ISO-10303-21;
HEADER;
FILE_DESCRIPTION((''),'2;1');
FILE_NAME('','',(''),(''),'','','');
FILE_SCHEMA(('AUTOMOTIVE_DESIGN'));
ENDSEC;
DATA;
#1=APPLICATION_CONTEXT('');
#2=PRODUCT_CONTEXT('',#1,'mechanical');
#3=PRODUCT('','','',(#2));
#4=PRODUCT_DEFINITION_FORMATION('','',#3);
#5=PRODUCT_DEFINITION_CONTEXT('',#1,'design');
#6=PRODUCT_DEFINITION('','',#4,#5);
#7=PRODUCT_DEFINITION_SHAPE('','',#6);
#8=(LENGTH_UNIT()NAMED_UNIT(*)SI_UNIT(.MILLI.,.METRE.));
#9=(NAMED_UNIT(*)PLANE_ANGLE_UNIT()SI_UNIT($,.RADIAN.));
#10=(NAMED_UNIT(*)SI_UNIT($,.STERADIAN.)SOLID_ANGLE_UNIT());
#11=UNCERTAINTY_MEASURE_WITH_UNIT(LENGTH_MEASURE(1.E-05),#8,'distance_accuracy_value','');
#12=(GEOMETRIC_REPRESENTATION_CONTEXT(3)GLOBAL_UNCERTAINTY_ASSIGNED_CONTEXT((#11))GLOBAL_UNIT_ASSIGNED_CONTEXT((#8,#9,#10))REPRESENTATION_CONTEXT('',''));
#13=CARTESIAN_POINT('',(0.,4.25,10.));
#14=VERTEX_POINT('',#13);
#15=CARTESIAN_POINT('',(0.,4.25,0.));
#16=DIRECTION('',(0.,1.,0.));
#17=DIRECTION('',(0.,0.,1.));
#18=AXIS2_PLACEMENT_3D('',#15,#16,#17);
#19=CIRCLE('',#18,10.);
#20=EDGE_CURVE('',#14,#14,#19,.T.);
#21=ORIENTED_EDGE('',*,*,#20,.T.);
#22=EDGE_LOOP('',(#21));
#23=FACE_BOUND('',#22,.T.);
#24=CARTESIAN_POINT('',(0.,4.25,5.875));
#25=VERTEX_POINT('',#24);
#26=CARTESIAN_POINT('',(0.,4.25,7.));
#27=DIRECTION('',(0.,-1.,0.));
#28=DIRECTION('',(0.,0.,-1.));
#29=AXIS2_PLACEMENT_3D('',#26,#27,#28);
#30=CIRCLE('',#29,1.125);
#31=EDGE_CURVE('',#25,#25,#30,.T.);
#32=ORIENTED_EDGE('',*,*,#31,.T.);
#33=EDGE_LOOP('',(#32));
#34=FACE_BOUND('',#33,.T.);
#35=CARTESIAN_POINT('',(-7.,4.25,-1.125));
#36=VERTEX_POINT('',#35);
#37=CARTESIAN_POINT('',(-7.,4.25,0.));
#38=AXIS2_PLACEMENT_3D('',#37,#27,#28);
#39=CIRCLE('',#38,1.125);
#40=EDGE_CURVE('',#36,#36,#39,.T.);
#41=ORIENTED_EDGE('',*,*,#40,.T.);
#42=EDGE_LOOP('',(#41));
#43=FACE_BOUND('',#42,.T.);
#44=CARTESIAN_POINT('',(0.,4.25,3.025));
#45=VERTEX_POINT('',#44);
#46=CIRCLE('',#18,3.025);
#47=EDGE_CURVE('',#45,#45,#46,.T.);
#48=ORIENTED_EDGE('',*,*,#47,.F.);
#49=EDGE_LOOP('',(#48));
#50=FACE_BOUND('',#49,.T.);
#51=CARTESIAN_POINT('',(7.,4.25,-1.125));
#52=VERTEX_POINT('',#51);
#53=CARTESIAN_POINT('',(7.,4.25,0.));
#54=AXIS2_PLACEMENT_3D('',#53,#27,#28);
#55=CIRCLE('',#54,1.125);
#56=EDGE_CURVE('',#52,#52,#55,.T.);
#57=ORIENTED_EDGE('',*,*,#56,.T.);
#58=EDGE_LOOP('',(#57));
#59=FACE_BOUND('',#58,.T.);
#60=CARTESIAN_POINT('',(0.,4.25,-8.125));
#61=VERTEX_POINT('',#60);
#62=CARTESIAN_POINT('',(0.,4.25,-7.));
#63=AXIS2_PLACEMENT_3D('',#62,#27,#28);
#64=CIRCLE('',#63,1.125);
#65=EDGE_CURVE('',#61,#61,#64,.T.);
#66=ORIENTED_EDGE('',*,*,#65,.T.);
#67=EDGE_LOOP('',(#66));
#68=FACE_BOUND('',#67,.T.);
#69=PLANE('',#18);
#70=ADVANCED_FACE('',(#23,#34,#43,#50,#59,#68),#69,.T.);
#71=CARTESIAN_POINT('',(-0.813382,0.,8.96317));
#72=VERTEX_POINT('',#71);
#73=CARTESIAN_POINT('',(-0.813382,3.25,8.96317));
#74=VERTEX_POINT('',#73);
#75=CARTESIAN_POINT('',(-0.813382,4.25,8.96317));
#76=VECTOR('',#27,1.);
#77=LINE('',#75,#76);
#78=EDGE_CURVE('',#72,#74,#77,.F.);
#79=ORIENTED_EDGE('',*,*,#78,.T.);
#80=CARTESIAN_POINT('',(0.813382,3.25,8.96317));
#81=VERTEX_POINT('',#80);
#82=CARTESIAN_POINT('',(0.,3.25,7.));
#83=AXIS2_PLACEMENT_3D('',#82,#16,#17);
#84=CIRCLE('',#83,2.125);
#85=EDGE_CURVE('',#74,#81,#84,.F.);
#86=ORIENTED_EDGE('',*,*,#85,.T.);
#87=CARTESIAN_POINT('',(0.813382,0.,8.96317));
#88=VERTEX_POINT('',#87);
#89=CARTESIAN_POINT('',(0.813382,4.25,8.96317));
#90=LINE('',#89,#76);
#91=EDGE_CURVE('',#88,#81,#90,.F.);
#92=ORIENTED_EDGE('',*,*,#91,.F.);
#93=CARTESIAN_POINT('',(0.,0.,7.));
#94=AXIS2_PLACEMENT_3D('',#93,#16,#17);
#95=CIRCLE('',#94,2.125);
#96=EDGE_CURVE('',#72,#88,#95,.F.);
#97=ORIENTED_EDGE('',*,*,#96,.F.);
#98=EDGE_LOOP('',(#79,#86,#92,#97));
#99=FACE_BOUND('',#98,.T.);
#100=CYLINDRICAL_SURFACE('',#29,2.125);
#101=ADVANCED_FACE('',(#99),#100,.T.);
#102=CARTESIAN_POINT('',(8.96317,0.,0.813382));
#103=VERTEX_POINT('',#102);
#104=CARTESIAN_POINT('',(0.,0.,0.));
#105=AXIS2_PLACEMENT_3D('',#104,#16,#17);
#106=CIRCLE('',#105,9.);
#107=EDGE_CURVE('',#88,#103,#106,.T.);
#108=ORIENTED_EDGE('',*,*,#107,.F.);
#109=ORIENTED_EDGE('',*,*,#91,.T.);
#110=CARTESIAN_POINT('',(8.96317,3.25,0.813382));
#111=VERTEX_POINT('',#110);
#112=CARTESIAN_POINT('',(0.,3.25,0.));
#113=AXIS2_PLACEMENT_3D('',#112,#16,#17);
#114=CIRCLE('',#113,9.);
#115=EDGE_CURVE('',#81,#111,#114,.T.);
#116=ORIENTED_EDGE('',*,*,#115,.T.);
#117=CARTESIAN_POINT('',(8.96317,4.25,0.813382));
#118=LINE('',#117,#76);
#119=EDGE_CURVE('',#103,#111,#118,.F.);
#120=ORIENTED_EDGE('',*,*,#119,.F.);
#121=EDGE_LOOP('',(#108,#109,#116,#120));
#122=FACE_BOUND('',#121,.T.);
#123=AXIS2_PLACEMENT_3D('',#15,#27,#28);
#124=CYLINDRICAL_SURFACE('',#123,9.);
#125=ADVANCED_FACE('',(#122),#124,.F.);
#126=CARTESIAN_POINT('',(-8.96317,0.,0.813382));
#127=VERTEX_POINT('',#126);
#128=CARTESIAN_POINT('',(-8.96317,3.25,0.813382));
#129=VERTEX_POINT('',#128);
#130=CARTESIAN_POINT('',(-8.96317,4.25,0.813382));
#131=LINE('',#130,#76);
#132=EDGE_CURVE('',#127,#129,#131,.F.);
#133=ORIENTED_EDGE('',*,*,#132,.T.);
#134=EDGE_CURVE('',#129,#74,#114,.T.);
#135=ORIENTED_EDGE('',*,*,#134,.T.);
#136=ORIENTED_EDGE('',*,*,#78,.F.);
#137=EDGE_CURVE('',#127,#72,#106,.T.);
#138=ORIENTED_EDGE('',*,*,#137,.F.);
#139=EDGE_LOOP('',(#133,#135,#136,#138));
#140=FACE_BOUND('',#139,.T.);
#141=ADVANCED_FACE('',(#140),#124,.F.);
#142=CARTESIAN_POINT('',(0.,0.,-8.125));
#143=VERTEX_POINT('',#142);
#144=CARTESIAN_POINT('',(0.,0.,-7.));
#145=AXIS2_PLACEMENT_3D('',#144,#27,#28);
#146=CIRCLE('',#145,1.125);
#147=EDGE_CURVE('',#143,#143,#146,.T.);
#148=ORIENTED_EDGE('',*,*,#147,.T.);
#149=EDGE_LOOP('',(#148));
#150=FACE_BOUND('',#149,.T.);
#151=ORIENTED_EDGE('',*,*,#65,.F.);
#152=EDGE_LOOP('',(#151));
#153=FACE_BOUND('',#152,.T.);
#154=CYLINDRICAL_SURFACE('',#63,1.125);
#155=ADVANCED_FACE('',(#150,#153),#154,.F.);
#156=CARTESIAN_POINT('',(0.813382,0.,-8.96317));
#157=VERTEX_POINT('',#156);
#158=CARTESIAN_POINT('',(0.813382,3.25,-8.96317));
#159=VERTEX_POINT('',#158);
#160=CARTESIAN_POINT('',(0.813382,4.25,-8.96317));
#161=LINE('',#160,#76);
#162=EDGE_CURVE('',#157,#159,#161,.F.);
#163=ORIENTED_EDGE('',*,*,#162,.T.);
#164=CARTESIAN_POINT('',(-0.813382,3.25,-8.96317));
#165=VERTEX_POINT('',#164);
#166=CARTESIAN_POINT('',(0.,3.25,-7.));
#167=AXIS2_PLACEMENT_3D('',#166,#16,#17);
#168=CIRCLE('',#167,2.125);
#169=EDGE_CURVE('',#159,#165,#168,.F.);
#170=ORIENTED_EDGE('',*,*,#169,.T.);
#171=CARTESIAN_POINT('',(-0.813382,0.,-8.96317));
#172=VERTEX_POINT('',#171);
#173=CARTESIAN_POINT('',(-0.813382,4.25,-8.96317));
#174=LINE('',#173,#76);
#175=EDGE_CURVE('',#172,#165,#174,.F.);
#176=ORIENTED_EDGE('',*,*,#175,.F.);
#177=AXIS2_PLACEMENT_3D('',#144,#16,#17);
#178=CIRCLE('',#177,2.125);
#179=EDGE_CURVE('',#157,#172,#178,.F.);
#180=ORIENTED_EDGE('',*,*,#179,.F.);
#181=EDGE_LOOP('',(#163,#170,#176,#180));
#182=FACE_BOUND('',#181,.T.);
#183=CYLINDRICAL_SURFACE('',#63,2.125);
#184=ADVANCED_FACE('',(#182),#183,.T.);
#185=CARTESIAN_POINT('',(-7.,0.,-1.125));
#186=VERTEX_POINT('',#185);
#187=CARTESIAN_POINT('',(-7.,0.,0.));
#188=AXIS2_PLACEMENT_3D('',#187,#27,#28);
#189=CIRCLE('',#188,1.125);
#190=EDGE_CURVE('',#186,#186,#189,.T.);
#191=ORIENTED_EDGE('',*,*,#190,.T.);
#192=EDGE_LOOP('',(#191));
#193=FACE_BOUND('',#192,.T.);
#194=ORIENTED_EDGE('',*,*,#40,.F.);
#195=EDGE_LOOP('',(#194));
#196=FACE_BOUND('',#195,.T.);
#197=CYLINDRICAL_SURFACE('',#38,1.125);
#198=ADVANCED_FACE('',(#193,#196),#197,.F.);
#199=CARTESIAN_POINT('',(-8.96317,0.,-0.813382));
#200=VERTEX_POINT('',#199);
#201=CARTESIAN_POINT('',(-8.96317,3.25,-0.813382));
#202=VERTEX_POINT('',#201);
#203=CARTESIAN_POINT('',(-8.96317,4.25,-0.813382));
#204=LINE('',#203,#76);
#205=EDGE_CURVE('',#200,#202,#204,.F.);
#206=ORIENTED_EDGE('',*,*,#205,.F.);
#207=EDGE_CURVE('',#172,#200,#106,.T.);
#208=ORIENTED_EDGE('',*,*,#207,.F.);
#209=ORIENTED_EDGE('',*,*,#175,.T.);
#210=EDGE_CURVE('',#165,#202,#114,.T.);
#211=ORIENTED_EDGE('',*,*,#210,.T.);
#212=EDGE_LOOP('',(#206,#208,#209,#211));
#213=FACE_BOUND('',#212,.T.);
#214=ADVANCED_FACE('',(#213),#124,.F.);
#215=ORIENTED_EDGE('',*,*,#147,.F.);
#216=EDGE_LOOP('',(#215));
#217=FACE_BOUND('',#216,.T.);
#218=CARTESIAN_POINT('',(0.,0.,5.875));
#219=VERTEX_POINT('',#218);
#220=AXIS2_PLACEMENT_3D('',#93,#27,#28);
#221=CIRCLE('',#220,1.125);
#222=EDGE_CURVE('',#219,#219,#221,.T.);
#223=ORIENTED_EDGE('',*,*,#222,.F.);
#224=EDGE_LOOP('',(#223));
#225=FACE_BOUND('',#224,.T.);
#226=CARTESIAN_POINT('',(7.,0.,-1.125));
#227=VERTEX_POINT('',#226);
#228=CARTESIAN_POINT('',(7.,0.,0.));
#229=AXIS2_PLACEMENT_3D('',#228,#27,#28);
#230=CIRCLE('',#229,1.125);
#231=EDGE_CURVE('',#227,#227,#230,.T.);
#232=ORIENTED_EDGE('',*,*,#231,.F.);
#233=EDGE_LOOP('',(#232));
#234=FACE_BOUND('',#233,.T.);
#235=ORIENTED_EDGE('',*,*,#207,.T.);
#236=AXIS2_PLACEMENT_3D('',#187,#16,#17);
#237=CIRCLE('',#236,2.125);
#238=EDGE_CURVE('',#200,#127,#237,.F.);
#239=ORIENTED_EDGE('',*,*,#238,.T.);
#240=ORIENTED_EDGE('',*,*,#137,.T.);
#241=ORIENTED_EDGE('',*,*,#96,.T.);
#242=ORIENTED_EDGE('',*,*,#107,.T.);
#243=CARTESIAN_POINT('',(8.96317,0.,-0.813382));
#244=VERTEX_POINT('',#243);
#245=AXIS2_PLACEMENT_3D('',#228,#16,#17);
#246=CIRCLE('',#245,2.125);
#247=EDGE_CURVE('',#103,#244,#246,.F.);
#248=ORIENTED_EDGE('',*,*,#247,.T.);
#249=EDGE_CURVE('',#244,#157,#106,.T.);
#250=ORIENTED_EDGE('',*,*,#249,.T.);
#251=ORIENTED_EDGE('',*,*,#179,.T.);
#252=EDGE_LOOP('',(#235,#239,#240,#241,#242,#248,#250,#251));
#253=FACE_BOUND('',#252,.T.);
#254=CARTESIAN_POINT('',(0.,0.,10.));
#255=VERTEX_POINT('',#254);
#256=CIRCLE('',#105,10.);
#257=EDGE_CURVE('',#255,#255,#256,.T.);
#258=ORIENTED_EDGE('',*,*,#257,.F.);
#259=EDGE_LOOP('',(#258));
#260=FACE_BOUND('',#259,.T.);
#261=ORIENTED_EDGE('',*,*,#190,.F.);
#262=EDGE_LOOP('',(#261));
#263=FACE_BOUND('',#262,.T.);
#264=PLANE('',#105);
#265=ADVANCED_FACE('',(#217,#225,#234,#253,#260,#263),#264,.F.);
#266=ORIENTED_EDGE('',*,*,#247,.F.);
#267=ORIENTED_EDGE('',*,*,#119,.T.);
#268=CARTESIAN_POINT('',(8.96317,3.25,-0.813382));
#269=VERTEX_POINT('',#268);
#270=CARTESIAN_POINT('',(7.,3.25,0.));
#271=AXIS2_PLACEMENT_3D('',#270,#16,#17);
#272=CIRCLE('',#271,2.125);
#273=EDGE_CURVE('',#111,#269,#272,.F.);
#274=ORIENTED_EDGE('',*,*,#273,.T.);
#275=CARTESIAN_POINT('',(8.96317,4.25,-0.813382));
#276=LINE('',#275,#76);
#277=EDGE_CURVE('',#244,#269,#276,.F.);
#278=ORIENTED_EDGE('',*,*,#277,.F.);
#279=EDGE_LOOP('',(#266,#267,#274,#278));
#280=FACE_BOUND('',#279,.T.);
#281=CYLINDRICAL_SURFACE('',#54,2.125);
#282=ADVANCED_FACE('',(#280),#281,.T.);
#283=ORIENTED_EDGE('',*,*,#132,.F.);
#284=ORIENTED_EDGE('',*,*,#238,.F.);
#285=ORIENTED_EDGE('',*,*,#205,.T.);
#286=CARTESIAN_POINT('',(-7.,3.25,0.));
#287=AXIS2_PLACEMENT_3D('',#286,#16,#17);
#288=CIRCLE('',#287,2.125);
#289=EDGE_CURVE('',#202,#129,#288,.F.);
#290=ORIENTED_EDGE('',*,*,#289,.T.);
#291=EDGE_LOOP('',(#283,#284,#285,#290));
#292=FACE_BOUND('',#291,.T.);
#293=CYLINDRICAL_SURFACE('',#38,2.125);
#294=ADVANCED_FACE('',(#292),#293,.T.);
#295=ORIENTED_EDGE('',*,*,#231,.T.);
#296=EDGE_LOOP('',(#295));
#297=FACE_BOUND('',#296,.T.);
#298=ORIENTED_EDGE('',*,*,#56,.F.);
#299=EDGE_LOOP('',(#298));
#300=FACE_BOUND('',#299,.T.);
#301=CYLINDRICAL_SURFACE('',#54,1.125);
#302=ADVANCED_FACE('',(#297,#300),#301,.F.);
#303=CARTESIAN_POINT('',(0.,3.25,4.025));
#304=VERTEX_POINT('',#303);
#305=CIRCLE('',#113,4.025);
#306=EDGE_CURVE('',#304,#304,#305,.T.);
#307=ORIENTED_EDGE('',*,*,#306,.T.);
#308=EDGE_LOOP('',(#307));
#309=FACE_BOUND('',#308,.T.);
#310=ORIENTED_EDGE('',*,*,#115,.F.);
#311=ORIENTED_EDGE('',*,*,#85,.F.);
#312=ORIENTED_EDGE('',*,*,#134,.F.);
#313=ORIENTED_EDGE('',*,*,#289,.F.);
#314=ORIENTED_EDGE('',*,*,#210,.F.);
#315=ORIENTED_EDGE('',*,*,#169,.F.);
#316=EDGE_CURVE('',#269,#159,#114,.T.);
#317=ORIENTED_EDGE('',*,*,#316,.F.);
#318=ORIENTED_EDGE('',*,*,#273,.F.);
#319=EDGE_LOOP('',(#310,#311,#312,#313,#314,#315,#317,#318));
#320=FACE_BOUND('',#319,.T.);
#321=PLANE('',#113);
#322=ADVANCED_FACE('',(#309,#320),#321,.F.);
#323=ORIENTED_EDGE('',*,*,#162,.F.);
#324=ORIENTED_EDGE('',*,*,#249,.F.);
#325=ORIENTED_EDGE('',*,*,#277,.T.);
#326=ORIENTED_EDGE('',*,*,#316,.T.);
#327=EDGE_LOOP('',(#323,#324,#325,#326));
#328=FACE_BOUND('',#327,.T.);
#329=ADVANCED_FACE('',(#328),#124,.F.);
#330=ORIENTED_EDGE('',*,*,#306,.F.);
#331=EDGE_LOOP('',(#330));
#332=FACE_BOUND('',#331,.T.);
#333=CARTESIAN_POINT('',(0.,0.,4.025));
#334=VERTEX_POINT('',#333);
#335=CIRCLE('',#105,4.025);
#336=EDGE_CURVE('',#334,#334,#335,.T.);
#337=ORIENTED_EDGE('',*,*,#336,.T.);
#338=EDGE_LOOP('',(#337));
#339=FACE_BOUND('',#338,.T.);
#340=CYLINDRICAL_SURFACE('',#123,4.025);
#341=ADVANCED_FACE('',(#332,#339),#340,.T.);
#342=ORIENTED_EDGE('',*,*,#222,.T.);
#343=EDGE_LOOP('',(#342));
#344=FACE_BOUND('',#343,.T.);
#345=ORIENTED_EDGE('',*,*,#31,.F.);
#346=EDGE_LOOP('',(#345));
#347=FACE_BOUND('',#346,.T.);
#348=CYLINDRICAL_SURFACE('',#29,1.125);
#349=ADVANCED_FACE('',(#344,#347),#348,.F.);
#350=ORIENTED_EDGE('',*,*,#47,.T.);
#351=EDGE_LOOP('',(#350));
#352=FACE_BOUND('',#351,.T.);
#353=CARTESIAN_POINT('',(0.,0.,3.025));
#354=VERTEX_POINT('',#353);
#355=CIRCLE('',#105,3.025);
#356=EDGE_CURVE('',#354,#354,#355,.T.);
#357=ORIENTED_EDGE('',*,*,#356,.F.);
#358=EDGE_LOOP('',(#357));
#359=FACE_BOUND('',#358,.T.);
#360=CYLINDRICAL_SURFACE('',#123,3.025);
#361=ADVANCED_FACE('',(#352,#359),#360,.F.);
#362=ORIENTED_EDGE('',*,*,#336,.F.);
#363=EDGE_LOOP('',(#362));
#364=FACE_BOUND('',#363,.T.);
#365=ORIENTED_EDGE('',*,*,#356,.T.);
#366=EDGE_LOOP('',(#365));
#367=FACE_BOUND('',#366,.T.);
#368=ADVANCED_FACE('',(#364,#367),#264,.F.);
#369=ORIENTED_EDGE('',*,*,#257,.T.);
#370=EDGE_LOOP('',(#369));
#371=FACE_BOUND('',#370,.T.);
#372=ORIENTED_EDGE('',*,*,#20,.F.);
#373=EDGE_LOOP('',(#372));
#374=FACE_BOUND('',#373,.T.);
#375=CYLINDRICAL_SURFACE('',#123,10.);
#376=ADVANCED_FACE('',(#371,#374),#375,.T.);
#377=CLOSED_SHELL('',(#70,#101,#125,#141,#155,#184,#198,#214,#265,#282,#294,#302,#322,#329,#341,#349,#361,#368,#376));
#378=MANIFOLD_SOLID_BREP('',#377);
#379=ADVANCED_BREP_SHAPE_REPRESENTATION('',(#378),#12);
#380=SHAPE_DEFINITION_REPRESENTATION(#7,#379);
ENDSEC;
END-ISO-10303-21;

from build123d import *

# Parameters (mm, degrees)
SKETCH1_R           = 10
SKETCH1_R_2         = 3.025
BOSS_EXTRUDE1_DEPTH = 4.25
CUT_EXTRUDE1_DEPTH  = 2
SKETCH4_R           = 1.125
CUT_EXTRUDE2_DEPTH  = 15.320003492
SKETCH5_R           = 10
SKETCH5_R_2         = 1.125
SKETCH5_R_3         = 3.025
BOSS_EXTRUDE2_DEPTH = 4.25
SHELL1_T            = -1


with BuildPart() as part:
    # Sketch1 → Boss-Extrude1 (new body)
    with BuildSketch(Plane(origin=(0, 0, 0), x_dir=(1, 0, 0), z_dir=(0, 1, 0))):
        with Locations(Location((0, 0, 0), (0, 0, 270))):
            Circle(SKETCH1_R)
        with Locations(Location((0, 0, 0), (0, 0, 270))):
            Circle(SKETCH1_R_2, mode=Mode.SUBTRACT)
    extrude(amount=BOSS_EXTRUDE1_DEPTH)

    # Sketch3 → Cut-Extrude1 (cut)
    with BuildSketch(Plane.XZ):
        Polygon((7, 2.309401077), (5, 1.154700538), (5, -1.154700538), (7, -2.309401077), (9, -1.154700538), (9, 1.154700538), align=None)
        Polygon((-2.309401077, 7), (-1.154700538, 5), (1.154700538, 5), (2.309401077, 7), (1.154700538, 9), (-1.154700538, 9), align=None)
        Polygon((2.309401077, -7), (1.154700538, -5), (-1.154700538, -5), (-2.309401077, -7), (-1.154700538, -9), (1.154700538, -9), align=None)
        Polygon((-7, -2.309401077), (-5, -1.154700538), (-5, 1.154700538), (-7, 2.309401077), (-9, 1.154700538), (-9, -1.154700538), align=None)
    extrude(amount=-CUT_EXTRUDE1_DEPTH, mode=Mode.SUBTRACT)

    # Sketch4 → Cut-Extrude2 (cut, through all)
    with BuildSketch(Plane.XZ.offset(-2)):
        with Locations(Location((0, -7, 0), (0, 0, 270))):
            Circle(SKETCH4_R)
        with Locations(Location((0, 7, 0), (0, 0, 270))):
            Circle(SKETCH4_R)
        with Locations(Location((7, 0, 0), (0, 0, 270))):
            Circle(SKETCH4_R)
        with Locations(Location((-7, 0, 0), (0, 0, 270))):
            Circle(SKETCH4_R)
    extrude(amount=-CUT_EXTRUDE2_DEPTH, mode=Mode.SUBTRACT)

    # Sketch5 → Boss-Extrude2 (add)
    with BuildSketch(Plane.XZ):
        with Locations(Location((0, 0, 0), (0, 0, 90))):
            Circle(SKETCH5_R)
        with Locations(Location((7, 0, 0), (0, 0, 270))):
            Circle(SKETCH5_R_2, mode=Mode.SUBTRACT)
        with Locations(Location((0, -7, 0), (0, 0, 270))):
            Circle(SKETCH5_R_2, mode=Mode.SUBTRACT)
        with Locations(Location((-7, 0, 0), (0, 0, 270))):
            Circle(SKETCH5_R_2, mode=Mode.SUBTRACT)
        with Locations(Location((0, 7, 0), (0, 0, 270))):
            Circle(SKETCH5_R_2, mode=Mode.SUBTRACT)
        with Locations(Location((0, 0, 0), (0, 0, 90))):
            Circle(SKETCH5_R_3, mode=Mode.SUBTRACT)
    extrude(amount=-BOSS_EXTRUDE2_DEPTH)

    # Shell1
    shell1_openings = [part.faces().sort_by_distance(p)[0] for p in [
        (0, 0, -9.717157288),
    ]]
    offset(amount=SHELL1_T, openings=shell1_openings)


solid = part.part
